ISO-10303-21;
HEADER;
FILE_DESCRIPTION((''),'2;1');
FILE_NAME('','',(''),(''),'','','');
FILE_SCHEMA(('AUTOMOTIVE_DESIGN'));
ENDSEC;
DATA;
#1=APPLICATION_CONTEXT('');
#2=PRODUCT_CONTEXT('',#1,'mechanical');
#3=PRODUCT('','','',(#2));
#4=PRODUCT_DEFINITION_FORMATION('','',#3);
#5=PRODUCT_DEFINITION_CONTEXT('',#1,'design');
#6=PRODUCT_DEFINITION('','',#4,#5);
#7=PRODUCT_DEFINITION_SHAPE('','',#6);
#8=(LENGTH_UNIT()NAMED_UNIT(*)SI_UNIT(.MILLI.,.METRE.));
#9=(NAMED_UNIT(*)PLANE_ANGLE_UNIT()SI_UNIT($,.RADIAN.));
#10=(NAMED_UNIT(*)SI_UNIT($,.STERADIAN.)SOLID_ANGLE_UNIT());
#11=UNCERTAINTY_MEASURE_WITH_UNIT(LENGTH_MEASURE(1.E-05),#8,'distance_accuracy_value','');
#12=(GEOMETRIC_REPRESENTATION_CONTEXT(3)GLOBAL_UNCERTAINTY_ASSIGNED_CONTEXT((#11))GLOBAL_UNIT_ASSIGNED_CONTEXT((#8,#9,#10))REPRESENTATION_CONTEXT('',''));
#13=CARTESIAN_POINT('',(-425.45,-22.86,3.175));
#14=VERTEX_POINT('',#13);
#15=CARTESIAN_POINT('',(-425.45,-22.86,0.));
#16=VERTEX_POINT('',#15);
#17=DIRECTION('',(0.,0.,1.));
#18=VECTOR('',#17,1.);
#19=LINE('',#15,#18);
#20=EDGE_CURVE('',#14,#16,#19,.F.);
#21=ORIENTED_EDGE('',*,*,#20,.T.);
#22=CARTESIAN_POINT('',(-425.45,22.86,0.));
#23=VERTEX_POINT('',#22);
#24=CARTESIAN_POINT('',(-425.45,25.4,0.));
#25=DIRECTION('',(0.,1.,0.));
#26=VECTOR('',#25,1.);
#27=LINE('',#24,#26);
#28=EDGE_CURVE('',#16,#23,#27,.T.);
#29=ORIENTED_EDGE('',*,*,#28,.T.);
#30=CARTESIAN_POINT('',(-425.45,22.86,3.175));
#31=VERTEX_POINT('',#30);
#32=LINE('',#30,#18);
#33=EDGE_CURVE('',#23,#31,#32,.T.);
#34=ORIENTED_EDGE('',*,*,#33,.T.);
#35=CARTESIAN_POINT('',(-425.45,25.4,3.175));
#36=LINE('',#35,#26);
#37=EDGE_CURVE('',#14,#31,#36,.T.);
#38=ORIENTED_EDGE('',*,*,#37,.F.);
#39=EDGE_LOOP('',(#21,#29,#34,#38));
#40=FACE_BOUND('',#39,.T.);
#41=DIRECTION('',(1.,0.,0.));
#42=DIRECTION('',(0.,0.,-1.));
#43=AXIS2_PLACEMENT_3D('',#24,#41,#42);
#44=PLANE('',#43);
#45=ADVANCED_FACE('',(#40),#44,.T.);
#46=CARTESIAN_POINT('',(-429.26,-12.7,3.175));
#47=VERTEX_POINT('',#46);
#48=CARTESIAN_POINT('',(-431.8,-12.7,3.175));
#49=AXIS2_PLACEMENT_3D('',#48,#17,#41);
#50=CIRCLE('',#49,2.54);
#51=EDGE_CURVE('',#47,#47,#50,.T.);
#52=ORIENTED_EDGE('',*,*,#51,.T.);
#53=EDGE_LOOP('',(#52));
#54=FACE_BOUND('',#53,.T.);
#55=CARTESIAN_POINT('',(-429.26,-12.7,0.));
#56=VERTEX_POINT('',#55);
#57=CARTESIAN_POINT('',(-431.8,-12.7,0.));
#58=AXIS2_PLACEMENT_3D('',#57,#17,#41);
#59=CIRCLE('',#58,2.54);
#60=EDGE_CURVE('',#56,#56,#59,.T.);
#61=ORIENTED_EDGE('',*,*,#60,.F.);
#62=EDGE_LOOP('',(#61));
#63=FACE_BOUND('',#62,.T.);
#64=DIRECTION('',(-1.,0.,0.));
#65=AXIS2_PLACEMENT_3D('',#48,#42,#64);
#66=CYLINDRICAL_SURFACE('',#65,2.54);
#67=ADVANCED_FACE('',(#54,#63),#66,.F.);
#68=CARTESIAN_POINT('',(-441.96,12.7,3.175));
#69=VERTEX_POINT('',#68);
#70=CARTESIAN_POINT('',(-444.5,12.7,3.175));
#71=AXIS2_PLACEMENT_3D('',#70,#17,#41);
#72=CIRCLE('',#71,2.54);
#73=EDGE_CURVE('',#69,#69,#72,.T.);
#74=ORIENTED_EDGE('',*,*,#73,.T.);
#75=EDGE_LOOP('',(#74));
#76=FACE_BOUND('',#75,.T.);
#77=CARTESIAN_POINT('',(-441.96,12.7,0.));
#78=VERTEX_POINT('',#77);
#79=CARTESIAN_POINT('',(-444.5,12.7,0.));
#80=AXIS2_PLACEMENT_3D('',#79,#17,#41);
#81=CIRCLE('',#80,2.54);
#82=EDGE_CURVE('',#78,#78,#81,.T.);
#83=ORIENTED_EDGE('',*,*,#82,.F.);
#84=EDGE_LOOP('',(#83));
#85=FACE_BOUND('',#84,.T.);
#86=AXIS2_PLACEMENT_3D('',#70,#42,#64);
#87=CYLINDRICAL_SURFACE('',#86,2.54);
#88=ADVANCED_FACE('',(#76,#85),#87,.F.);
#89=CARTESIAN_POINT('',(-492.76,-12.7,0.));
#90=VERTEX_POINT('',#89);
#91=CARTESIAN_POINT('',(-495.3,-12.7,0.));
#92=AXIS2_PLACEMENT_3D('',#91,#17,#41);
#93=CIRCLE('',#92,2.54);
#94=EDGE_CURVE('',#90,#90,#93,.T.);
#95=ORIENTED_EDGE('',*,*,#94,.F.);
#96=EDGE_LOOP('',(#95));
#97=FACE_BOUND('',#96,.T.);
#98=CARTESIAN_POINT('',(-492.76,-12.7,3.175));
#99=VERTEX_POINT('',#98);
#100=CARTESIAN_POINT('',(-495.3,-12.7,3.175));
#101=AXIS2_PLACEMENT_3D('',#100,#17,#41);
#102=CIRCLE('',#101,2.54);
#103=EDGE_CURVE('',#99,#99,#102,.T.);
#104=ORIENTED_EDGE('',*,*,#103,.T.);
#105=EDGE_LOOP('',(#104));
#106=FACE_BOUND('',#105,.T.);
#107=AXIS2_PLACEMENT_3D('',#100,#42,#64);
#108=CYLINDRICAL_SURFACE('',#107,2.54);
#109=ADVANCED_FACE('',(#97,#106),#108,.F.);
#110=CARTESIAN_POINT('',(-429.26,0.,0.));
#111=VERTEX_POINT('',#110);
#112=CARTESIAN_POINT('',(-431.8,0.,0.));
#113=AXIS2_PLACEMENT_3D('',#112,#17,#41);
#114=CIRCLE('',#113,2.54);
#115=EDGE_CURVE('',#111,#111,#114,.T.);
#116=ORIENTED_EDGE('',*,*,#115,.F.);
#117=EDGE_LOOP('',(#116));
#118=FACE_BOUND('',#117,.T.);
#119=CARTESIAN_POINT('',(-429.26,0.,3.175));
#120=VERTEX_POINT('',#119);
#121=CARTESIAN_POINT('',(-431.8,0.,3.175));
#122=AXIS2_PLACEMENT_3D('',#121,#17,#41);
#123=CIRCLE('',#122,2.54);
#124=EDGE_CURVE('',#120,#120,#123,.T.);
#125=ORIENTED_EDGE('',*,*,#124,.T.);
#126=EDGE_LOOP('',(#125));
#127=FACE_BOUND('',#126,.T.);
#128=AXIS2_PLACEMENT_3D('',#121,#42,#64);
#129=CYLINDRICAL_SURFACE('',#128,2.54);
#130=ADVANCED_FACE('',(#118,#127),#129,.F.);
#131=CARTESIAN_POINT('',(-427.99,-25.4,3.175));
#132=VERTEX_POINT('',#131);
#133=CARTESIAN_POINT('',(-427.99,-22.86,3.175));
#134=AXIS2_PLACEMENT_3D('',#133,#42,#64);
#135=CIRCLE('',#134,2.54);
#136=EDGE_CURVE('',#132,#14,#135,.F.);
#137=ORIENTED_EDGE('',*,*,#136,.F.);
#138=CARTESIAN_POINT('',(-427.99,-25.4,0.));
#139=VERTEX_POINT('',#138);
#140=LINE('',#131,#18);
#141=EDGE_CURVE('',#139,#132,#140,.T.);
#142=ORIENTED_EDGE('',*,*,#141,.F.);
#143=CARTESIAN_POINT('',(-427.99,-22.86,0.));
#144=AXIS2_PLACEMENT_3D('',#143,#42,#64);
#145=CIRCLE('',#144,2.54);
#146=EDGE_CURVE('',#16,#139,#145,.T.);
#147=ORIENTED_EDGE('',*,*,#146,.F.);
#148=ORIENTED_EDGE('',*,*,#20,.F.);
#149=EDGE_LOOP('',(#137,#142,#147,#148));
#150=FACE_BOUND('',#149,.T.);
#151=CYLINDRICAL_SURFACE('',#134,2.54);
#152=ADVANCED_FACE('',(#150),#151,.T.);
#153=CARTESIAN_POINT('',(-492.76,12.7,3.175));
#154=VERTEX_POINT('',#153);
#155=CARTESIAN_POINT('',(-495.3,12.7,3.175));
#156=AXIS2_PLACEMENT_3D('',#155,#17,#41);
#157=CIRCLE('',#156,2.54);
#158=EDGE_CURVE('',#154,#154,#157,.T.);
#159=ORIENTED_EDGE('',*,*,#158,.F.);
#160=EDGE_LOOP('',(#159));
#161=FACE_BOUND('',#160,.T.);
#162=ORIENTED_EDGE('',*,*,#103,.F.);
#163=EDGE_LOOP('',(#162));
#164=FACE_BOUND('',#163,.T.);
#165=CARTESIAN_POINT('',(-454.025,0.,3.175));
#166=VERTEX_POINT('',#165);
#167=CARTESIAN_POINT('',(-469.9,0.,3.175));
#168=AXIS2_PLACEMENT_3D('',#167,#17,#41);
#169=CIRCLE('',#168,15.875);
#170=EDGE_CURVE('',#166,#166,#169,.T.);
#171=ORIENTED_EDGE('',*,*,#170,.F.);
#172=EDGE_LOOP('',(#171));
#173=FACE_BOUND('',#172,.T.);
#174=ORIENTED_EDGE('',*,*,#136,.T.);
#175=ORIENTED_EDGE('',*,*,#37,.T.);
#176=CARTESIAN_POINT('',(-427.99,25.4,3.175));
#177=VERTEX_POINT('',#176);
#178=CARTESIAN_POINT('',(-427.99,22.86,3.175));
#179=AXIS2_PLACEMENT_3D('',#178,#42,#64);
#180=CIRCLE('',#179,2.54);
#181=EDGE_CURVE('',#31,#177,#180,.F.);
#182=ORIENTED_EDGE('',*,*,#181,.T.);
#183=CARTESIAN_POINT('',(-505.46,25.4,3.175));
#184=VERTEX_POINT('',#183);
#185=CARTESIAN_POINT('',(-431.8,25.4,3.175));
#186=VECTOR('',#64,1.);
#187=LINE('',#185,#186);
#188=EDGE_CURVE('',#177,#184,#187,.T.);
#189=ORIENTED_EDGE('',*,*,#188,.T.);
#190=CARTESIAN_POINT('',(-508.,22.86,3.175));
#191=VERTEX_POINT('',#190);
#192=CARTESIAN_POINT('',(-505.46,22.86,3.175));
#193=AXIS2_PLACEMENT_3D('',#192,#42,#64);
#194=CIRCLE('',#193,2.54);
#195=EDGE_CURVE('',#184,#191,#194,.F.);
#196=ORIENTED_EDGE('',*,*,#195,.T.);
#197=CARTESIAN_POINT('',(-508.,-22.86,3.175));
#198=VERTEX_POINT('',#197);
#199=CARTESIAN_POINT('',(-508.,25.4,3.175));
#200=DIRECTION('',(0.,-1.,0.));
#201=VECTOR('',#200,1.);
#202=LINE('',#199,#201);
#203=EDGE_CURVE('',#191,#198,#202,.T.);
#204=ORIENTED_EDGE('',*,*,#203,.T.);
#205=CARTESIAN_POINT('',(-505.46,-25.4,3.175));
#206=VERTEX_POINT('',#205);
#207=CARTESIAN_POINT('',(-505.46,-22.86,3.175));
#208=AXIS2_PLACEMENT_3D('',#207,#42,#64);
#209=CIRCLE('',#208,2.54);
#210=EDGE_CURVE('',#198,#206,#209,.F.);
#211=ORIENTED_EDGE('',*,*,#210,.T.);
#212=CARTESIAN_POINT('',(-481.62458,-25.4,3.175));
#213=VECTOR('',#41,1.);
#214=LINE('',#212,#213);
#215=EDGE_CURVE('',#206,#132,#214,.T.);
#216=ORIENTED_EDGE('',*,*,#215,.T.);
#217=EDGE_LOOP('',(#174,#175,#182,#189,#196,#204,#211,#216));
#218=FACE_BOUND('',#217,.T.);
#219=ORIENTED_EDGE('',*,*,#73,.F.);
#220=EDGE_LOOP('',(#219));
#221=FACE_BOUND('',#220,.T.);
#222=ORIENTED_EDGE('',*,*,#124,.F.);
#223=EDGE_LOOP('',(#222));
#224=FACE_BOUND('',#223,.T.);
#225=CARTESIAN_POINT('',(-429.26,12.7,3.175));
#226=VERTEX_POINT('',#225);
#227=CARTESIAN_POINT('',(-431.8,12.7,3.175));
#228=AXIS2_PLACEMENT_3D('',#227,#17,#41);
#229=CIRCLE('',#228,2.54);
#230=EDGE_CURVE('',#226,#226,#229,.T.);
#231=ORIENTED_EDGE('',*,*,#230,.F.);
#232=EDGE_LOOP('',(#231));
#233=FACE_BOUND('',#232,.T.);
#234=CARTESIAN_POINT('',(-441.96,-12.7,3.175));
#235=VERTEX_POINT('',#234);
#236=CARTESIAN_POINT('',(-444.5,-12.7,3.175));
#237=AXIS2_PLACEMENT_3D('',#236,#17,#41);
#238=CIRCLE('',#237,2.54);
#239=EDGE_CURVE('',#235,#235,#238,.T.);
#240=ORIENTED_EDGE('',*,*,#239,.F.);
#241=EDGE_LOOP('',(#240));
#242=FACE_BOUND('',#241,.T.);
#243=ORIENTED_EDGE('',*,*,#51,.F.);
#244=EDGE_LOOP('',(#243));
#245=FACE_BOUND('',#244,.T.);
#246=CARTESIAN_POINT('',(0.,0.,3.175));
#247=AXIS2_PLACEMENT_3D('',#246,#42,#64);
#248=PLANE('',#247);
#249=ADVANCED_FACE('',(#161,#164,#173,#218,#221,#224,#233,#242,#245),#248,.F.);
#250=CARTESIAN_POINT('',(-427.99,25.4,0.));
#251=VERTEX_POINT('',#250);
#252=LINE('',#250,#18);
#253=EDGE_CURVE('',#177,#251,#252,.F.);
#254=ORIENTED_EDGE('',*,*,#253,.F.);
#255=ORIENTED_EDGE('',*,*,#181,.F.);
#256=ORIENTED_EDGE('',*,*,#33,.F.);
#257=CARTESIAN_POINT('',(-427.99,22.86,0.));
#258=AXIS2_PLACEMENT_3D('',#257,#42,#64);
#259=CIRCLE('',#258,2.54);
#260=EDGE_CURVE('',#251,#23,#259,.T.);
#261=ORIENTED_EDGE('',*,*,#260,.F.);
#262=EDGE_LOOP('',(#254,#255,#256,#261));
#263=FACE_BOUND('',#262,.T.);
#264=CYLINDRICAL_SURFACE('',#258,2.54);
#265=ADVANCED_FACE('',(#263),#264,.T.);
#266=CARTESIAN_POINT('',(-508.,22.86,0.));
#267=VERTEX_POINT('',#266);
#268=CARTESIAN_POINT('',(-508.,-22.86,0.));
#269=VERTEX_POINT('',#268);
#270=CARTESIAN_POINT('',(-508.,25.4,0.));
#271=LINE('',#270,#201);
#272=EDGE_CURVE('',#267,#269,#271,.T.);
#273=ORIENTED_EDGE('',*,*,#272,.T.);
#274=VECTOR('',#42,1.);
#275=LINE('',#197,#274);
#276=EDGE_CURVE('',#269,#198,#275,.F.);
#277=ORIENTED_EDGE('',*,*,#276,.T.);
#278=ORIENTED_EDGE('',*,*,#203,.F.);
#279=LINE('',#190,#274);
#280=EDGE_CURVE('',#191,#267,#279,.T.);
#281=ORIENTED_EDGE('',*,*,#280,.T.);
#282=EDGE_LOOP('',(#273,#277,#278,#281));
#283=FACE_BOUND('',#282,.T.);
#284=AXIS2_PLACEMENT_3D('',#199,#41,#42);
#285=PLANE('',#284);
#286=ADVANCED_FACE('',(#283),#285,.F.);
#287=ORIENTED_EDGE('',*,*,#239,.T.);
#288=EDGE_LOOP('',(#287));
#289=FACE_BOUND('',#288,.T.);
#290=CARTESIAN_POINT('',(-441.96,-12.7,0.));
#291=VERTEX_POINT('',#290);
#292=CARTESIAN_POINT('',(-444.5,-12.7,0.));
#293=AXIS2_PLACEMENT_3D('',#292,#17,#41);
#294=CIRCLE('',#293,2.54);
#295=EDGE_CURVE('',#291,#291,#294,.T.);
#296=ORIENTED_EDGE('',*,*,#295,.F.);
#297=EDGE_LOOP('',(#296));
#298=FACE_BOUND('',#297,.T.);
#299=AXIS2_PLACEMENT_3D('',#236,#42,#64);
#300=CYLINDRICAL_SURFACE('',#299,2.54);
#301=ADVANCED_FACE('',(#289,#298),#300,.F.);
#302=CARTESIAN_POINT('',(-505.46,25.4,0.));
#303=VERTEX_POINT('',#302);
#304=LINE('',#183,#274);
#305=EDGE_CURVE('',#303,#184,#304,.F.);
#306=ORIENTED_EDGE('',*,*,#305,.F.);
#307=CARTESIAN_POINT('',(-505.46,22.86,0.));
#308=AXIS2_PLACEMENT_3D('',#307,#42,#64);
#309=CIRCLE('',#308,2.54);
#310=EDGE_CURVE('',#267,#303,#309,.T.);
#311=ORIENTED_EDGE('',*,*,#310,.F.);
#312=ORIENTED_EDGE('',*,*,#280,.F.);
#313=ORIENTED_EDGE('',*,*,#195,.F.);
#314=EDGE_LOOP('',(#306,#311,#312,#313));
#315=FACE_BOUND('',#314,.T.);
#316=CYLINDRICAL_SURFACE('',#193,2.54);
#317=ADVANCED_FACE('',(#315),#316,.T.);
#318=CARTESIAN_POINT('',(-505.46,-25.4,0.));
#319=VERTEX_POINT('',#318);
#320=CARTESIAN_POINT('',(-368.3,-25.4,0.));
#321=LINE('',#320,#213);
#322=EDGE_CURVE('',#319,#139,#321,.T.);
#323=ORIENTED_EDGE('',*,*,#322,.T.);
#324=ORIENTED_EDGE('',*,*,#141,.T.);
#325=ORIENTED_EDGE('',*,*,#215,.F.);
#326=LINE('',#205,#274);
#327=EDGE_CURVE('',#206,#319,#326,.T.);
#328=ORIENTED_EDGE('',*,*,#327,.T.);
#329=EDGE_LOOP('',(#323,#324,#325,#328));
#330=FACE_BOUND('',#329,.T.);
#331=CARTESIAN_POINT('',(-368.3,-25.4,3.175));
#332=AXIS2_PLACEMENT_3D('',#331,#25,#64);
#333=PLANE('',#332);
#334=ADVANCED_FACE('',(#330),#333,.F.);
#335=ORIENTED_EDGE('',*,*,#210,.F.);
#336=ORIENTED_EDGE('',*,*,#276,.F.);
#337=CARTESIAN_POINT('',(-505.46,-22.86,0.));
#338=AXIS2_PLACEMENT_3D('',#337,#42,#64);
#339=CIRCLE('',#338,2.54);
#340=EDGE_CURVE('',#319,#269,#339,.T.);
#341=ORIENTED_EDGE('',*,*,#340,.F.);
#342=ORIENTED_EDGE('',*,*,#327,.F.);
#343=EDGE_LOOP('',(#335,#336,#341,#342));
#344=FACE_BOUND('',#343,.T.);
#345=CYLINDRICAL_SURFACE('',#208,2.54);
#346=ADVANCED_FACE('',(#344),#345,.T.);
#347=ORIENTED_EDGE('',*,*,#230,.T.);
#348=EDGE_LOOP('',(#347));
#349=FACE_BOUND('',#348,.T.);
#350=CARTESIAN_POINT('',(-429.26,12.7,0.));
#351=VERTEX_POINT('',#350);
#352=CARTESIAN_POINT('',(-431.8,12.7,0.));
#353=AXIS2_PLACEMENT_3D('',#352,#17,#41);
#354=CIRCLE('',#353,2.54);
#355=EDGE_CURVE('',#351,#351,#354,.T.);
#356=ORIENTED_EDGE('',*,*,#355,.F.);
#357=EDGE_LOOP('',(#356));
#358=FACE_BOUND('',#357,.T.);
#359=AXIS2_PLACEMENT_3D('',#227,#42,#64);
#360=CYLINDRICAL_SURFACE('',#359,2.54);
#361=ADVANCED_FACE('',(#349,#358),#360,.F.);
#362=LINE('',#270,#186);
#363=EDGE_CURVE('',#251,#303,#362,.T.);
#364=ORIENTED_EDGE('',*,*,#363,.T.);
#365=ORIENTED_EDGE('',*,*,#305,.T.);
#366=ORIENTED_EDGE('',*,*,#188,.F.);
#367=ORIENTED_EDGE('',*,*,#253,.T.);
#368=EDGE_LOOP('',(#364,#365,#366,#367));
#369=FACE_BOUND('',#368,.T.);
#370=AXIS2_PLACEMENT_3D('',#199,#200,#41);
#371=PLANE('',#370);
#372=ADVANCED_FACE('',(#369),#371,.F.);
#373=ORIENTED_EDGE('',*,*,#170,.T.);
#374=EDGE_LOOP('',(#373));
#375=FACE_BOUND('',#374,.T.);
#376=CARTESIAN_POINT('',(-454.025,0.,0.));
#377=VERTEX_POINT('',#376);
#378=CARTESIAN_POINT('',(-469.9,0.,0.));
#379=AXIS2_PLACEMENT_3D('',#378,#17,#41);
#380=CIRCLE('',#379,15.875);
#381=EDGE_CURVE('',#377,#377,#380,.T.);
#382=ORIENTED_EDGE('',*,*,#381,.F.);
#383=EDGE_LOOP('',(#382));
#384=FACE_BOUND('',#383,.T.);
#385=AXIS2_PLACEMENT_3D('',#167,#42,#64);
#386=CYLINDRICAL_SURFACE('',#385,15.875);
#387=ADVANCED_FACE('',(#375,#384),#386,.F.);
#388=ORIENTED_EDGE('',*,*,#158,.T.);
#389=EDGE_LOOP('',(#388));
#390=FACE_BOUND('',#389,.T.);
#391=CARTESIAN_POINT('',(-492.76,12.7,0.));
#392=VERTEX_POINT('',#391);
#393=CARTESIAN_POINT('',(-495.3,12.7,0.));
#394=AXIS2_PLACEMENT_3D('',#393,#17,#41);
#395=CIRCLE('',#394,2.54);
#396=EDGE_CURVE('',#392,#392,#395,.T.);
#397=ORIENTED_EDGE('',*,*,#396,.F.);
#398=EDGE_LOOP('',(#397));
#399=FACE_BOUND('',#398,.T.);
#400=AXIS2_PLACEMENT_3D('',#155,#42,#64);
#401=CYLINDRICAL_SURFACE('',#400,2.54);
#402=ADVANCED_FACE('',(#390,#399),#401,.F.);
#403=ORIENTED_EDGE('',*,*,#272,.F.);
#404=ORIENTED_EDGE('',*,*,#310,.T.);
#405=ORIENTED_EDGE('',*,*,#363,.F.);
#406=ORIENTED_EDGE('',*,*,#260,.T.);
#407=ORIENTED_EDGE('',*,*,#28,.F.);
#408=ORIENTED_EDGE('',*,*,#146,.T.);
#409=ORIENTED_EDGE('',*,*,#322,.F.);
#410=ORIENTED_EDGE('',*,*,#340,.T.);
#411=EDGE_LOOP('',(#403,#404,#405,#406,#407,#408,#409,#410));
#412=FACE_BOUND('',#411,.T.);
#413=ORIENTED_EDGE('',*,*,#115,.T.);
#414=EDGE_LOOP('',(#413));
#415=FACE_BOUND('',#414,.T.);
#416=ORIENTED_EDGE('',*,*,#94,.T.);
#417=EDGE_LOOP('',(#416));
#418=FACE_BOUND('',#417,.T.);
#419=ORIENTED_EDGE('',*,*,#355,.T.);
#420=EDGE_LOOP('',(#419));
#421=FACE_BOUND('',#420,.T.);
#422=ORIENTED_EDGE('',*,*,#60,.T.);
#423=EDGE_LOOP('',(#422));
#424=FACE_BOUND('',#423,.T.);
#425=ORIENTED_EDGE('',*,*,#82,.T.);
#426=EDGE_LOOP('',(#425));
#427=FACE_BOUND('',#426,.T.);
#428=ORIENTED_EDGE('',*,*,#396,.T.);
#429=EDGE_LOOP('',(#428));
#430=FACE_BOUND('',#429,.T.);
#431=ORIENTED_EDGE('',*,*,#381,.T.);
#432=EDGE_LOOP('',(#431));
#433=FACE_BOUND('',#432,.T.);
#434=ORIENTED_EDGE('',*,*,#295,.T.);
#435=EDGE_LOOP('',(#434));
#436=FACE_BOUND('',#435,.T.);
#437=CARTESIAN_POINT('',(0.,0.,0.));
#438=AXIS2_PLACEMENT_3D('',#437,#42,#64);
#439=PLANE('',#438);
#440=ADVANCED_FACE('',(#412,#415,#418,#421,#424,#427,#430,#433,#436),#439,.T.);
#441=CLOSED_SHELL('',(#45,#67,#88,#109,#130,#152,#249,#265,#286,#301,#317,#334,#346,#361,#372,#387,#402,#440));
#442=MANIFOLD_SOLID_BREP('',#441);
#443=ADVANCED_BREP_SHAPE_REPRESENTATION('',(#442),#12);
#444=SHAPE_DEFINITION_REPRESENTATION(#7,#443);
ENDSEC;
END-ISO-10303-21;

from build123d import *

# Parameters (mm, degrees)
SKETCH2_R           = 15.875
SKETCH2_R_2         = 2.54
BOSS_EXTRUDE1_DEPTH = 3.175
FILLET1_R           = 2.54
SKETCH4_OUTSIDE_W   = 171.436
SKETCH4_OUTSIDE_H   = 82.536
SKETCH4_OUTSIDE_W_2 = 82.55
SKETCH4_OUTSIDE_H_2 = 50.8
CUT_EXTRUDE1_DEPTH  = 509.64451302
FILLET2_R           = 2.54


with BuildPart() as part:
    # Sketch2 → Boss-Extrude1 (new body)
    with BuildSketch(Plane.XY):
        Polygon((-508, 25.4), (-481.624580264, 25.4), (-457.99375, 25.4), (-431.8, 25.4), (-368.3, 25.4), (-368.3, -25.4), (-431.8, -25.4), (-457.99375, -25.4), (-481.624580264, -25.4), (-508, -25.4), align=None)
        with Locations((-469.9, 0)):
            Circle(SKETCH2_R, mode=Mode.SUBTRACT)
        with Locations((-495.3, 12.7)):
            Circle(SKETCH2_R_2, mode=Mode.SUBTRACT)
        with Locations((-495.3, -12.7)):
            Circle(SKETCH2_R_2, mode=Mode.SUBTRACT)
        with Locations((-444.5, -12.7)):
            Circle(SKETCH2_R_2, mode=Mode.SUBTRACT)
        with Locations((-431.8, -12.7)):
            Circle(SKETCH2_R_2, mode=Mode.SUBTRACT)
        with Locations((-419.1, -12.7)):
            Circle(SKETCH2_R_2, mode=Mode.SUBTRACT)
        with Locations((-419.1, 0)):
            Circle(SKETCH2_R_2, mode=Mode.SUBTRACT)
        with Locations((-431.8, 0)):
            Circle(SKETCH2_R_2, mode=Mode.SUBTRACT)
        with Locations((-431.8, 12.7)):
            Circle(SKETCH2_R_2, mode=Mode.SUBTRACT)
        with Locations((-419.1, 12.7)):
            Circle(SKETCH2_R_2, mode=Mode.SUBTRACT)
        with Locations((-444.5, 12.7)):
            Circle(SKETCH2_R_2, mode=Mode.SUBTRACT)
        with Locations((-406.4, 12.7)):
            Circle(SKETCH2_R_2, mode=Mode.SUBTRACT)
        with Locations((-406.4, 0)):
            Circle(SKETCH2_R_2, mode=Mode.SUBTRACT)
        with Locations((-406.4, -12.7)):
            Circle(SKETCH2_R_2, mode=Mode.SUBTRACT)
        with Locations((-393.7, 12.7)):
            Circle(SKETCH2_R_2, mode=Mode.SUBTRACT)
        with Locations((-393.7, 0)):
            Circle(SKETCH2_R_2, mode=Mode.SUBTRACT)
        with Locations((-393.7, -12.7)):
            Circle(SKETCH2_R_2, mode=Mode.SUBTRACT)
        with Locations((-381, 12.7)):
            Circle(SKETCH2_R_2, mode=Mode.SUBTRACT)
        with Locations((-381, 0)):
            Circle(SKETCH2_R_2, mode=Mode.SUBTRACT)
        with Locations((-381, -12.7)):
            Circle(SKETCH2_R_2, mode=Mode.SUBTRACT)
    extrude(amount=BOSS_EXTRUDE1_DEPTH)

    # Fillet1
    fillet1_edges = [part.edges().sort_by_distance(p)[0] for p in [
        (-508, 25.4, 1.5875),
        (-368.3, 25.4, 1.5875),
        (-368.3, -25.4, 1.5875),
        (-508, -25.4, 1.5875),
    ]]
    fillet(fillet1_edges, radius=FILLET1_R)

    # Sketch4 outside → Cut-Extrude1 (cut, through all)
    with BuildSketch(Plane.XY.offset(3.175)):
        with Locations((-438.15, 0)):
            Rectangle(SKETCH4_OUTSIDE_W, SKETCH4_OUTSIDE_H)
        with Locations((-466.725, 0)):
            Rectangle(SKETCH4_OUTSIDE_W_2, SKETCH4_OUTSIDE_H_2, mode=Mode.SUBTRACT)
    extrude(amount=-CUT_EXTRUDE1_DEPTH, mode=Mode.SUBTRACT)

    # Fillet2
    fillet2_edges = [part.edges().sort_by_distance(p)[0] for p in [
        (-425.45, 25.4, 1.5875),
        (-425.45, -25.4, 1.5875),
    ]]
    fillet(fillet2_edges, radius=FILLET2_R)


solid = part.part
